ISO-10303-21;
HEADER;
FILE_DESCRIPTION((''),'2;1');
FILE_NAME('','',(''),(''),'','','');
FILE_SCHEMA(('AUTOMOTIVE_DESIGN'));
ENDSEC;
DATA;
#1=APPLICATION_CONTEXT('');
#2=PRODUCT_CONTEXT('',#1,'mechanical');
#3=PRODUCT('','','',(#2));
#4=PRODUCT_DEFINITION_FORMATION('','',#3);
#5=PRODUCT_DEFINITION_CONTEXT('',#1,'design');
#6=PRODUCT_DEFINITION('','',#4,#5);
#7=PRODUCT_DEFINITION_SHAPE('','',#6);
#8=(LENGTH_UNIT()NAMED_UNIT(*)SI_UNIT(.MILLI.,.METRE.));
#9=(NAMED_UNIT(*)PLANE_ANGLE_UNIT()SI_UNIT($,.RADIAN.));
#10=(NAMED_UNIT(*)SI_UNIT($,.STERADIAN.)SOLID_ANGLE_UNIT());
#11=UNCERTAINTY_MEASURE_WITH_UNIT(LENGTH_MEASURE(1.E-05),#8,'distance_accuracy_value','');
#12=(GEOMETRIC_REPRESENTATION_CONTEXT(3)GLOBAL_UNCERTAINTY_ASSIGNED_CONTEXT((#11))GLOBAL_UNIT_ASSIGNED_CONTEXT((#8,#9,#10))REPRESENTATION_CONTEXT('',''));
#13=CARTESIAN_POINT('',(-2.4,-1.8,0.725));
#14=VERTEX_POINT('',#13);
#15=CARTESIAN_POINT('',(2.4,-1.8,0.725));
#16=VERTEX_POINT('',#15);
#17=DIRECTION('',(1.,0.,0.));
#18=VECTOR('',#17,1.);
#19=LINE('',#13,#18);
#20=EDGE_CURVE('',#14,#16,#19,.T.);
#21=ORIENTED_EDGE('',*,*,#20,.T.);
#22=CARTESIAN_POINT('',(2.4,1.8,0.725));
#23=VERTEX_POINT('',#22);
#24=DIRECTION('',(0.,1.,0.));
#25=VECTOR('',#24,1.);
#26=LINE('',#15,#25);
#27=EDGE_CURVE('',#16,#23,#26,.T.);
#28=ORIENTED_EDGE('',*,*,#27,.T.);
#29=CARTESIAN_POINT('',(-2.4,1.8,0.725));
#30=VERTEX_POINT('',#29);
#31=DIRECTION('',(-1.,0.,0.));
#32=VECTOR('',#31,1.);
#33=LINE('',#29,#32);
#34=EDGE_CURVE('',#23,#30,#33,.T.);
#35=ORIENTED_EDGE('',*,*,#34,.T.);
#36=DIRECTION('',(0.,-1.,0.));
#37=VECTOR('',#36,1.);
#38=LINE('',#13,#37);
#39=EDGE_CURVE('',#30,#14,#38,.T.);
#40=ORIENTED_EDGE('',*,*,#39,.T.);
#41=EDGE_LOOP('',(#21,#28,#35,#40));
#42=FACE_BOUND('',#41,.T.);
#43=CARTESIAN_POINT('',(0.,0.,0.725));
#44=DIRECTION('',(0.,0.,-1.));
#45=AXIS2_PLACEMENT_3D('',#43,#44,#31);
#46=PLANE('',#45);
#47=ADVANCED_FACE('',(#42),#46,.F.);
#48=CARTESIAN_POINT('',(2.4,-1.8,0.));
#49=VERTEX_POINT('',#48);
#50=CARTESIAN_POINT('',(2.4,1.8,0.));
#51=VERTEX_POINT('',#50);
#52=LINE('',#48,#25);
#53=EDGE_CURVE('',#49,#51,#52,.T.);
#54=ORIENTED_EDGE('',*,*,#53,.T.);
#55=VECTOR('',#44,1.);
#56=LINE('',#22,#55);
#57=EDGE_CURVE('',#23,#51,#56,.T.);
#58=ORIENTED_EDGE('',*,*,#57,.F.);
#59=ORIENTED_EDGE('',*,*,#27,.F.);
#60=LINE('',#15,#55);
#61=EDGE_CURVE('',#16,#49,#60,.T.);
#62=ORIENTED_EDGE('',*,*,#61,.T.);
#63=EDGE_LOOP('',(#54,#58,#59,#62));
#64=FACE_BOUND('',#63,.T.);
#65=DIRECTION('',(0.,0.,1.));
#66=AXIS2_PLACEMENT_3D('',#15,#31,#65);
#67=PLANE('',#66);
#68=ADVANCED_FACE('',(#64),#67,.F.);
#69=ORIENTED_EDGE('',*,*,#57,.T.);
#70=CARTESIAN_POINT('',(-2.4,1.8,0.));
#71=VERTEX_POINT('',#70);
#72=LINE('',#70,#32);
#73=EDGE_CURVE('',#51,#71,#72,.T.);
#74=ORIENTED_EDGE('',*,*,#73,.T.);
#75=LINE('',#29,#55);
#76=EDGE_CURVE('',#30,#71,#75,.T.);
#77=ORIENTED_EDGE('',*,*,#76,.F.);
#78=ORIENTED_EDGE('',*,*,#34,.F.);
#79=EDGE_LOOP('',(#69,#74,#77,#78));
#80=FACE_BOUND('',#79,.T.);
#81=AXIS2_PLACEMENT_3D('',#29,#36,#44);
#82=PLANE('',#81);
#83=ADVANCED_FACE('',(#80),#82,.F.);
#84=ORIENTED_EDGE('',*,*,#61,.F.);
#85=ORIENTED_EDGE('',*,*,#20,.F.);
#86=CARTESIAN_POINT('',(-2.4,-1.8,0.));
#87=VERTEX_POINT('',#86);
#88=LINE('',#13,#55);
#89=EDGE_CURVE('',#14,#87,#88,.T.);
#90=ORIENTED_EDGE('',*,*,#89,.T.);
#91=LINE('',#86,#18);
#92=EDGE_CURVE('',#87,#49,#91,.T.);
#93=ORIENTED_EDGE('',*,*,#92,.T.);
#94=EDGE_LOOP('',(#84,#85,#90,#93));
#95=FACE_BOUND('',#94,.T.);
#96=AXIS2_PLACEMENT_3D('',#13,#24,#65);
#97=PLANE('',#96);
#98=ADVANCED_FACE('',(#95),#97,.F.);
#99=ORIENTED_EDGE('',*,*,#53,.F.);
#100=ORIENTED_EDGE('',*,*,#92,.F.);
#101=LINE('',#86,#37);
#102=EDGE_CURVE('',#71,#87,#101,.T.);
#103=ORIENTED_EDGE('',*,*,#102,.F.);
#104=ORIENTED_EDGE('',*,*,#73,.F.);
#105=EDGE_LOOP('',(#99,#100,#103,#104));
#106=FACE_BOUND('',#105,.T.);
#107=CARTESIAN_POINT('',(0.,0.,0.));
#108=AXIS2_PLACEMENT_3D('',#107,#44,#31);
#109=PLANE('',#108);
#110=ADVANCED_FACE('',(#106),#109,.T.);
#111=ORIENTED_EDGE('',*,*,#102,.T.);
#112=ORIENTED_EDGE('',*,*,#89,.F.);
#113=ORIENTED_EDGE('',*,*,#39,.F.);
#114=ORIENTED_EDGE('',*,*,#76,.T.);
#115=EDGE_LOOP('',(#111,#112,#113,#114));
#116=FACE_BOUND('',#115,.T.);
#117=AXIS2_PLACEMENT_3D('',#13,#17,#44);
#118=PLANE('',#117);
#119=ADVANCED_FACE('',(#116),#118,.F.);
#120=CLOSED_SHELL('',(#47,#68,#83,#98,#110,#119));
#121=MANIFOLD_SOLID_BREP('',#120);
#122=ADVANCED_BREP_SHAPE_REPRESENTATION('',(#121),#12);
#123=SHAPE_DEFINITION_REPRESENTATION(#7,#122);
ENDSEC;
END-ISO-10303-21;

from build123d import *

# Parameters (mm, degrees)
SKETCH1_W           = 4.8
SKETCH1_H           = 3.6
BOSS_EXTRUDE1_DEPTH = 0.725


with BuildPart() as part:
    # Sketch1 → Boss-Extrude1 (new body)
    with BuildSketch(Plane.XY):
        Rectangle(SKETCH1_W, SKETCH1_H)
    extrude(amount=BOSS_EXTRUDE1_DEPTH)


solid = part.part
